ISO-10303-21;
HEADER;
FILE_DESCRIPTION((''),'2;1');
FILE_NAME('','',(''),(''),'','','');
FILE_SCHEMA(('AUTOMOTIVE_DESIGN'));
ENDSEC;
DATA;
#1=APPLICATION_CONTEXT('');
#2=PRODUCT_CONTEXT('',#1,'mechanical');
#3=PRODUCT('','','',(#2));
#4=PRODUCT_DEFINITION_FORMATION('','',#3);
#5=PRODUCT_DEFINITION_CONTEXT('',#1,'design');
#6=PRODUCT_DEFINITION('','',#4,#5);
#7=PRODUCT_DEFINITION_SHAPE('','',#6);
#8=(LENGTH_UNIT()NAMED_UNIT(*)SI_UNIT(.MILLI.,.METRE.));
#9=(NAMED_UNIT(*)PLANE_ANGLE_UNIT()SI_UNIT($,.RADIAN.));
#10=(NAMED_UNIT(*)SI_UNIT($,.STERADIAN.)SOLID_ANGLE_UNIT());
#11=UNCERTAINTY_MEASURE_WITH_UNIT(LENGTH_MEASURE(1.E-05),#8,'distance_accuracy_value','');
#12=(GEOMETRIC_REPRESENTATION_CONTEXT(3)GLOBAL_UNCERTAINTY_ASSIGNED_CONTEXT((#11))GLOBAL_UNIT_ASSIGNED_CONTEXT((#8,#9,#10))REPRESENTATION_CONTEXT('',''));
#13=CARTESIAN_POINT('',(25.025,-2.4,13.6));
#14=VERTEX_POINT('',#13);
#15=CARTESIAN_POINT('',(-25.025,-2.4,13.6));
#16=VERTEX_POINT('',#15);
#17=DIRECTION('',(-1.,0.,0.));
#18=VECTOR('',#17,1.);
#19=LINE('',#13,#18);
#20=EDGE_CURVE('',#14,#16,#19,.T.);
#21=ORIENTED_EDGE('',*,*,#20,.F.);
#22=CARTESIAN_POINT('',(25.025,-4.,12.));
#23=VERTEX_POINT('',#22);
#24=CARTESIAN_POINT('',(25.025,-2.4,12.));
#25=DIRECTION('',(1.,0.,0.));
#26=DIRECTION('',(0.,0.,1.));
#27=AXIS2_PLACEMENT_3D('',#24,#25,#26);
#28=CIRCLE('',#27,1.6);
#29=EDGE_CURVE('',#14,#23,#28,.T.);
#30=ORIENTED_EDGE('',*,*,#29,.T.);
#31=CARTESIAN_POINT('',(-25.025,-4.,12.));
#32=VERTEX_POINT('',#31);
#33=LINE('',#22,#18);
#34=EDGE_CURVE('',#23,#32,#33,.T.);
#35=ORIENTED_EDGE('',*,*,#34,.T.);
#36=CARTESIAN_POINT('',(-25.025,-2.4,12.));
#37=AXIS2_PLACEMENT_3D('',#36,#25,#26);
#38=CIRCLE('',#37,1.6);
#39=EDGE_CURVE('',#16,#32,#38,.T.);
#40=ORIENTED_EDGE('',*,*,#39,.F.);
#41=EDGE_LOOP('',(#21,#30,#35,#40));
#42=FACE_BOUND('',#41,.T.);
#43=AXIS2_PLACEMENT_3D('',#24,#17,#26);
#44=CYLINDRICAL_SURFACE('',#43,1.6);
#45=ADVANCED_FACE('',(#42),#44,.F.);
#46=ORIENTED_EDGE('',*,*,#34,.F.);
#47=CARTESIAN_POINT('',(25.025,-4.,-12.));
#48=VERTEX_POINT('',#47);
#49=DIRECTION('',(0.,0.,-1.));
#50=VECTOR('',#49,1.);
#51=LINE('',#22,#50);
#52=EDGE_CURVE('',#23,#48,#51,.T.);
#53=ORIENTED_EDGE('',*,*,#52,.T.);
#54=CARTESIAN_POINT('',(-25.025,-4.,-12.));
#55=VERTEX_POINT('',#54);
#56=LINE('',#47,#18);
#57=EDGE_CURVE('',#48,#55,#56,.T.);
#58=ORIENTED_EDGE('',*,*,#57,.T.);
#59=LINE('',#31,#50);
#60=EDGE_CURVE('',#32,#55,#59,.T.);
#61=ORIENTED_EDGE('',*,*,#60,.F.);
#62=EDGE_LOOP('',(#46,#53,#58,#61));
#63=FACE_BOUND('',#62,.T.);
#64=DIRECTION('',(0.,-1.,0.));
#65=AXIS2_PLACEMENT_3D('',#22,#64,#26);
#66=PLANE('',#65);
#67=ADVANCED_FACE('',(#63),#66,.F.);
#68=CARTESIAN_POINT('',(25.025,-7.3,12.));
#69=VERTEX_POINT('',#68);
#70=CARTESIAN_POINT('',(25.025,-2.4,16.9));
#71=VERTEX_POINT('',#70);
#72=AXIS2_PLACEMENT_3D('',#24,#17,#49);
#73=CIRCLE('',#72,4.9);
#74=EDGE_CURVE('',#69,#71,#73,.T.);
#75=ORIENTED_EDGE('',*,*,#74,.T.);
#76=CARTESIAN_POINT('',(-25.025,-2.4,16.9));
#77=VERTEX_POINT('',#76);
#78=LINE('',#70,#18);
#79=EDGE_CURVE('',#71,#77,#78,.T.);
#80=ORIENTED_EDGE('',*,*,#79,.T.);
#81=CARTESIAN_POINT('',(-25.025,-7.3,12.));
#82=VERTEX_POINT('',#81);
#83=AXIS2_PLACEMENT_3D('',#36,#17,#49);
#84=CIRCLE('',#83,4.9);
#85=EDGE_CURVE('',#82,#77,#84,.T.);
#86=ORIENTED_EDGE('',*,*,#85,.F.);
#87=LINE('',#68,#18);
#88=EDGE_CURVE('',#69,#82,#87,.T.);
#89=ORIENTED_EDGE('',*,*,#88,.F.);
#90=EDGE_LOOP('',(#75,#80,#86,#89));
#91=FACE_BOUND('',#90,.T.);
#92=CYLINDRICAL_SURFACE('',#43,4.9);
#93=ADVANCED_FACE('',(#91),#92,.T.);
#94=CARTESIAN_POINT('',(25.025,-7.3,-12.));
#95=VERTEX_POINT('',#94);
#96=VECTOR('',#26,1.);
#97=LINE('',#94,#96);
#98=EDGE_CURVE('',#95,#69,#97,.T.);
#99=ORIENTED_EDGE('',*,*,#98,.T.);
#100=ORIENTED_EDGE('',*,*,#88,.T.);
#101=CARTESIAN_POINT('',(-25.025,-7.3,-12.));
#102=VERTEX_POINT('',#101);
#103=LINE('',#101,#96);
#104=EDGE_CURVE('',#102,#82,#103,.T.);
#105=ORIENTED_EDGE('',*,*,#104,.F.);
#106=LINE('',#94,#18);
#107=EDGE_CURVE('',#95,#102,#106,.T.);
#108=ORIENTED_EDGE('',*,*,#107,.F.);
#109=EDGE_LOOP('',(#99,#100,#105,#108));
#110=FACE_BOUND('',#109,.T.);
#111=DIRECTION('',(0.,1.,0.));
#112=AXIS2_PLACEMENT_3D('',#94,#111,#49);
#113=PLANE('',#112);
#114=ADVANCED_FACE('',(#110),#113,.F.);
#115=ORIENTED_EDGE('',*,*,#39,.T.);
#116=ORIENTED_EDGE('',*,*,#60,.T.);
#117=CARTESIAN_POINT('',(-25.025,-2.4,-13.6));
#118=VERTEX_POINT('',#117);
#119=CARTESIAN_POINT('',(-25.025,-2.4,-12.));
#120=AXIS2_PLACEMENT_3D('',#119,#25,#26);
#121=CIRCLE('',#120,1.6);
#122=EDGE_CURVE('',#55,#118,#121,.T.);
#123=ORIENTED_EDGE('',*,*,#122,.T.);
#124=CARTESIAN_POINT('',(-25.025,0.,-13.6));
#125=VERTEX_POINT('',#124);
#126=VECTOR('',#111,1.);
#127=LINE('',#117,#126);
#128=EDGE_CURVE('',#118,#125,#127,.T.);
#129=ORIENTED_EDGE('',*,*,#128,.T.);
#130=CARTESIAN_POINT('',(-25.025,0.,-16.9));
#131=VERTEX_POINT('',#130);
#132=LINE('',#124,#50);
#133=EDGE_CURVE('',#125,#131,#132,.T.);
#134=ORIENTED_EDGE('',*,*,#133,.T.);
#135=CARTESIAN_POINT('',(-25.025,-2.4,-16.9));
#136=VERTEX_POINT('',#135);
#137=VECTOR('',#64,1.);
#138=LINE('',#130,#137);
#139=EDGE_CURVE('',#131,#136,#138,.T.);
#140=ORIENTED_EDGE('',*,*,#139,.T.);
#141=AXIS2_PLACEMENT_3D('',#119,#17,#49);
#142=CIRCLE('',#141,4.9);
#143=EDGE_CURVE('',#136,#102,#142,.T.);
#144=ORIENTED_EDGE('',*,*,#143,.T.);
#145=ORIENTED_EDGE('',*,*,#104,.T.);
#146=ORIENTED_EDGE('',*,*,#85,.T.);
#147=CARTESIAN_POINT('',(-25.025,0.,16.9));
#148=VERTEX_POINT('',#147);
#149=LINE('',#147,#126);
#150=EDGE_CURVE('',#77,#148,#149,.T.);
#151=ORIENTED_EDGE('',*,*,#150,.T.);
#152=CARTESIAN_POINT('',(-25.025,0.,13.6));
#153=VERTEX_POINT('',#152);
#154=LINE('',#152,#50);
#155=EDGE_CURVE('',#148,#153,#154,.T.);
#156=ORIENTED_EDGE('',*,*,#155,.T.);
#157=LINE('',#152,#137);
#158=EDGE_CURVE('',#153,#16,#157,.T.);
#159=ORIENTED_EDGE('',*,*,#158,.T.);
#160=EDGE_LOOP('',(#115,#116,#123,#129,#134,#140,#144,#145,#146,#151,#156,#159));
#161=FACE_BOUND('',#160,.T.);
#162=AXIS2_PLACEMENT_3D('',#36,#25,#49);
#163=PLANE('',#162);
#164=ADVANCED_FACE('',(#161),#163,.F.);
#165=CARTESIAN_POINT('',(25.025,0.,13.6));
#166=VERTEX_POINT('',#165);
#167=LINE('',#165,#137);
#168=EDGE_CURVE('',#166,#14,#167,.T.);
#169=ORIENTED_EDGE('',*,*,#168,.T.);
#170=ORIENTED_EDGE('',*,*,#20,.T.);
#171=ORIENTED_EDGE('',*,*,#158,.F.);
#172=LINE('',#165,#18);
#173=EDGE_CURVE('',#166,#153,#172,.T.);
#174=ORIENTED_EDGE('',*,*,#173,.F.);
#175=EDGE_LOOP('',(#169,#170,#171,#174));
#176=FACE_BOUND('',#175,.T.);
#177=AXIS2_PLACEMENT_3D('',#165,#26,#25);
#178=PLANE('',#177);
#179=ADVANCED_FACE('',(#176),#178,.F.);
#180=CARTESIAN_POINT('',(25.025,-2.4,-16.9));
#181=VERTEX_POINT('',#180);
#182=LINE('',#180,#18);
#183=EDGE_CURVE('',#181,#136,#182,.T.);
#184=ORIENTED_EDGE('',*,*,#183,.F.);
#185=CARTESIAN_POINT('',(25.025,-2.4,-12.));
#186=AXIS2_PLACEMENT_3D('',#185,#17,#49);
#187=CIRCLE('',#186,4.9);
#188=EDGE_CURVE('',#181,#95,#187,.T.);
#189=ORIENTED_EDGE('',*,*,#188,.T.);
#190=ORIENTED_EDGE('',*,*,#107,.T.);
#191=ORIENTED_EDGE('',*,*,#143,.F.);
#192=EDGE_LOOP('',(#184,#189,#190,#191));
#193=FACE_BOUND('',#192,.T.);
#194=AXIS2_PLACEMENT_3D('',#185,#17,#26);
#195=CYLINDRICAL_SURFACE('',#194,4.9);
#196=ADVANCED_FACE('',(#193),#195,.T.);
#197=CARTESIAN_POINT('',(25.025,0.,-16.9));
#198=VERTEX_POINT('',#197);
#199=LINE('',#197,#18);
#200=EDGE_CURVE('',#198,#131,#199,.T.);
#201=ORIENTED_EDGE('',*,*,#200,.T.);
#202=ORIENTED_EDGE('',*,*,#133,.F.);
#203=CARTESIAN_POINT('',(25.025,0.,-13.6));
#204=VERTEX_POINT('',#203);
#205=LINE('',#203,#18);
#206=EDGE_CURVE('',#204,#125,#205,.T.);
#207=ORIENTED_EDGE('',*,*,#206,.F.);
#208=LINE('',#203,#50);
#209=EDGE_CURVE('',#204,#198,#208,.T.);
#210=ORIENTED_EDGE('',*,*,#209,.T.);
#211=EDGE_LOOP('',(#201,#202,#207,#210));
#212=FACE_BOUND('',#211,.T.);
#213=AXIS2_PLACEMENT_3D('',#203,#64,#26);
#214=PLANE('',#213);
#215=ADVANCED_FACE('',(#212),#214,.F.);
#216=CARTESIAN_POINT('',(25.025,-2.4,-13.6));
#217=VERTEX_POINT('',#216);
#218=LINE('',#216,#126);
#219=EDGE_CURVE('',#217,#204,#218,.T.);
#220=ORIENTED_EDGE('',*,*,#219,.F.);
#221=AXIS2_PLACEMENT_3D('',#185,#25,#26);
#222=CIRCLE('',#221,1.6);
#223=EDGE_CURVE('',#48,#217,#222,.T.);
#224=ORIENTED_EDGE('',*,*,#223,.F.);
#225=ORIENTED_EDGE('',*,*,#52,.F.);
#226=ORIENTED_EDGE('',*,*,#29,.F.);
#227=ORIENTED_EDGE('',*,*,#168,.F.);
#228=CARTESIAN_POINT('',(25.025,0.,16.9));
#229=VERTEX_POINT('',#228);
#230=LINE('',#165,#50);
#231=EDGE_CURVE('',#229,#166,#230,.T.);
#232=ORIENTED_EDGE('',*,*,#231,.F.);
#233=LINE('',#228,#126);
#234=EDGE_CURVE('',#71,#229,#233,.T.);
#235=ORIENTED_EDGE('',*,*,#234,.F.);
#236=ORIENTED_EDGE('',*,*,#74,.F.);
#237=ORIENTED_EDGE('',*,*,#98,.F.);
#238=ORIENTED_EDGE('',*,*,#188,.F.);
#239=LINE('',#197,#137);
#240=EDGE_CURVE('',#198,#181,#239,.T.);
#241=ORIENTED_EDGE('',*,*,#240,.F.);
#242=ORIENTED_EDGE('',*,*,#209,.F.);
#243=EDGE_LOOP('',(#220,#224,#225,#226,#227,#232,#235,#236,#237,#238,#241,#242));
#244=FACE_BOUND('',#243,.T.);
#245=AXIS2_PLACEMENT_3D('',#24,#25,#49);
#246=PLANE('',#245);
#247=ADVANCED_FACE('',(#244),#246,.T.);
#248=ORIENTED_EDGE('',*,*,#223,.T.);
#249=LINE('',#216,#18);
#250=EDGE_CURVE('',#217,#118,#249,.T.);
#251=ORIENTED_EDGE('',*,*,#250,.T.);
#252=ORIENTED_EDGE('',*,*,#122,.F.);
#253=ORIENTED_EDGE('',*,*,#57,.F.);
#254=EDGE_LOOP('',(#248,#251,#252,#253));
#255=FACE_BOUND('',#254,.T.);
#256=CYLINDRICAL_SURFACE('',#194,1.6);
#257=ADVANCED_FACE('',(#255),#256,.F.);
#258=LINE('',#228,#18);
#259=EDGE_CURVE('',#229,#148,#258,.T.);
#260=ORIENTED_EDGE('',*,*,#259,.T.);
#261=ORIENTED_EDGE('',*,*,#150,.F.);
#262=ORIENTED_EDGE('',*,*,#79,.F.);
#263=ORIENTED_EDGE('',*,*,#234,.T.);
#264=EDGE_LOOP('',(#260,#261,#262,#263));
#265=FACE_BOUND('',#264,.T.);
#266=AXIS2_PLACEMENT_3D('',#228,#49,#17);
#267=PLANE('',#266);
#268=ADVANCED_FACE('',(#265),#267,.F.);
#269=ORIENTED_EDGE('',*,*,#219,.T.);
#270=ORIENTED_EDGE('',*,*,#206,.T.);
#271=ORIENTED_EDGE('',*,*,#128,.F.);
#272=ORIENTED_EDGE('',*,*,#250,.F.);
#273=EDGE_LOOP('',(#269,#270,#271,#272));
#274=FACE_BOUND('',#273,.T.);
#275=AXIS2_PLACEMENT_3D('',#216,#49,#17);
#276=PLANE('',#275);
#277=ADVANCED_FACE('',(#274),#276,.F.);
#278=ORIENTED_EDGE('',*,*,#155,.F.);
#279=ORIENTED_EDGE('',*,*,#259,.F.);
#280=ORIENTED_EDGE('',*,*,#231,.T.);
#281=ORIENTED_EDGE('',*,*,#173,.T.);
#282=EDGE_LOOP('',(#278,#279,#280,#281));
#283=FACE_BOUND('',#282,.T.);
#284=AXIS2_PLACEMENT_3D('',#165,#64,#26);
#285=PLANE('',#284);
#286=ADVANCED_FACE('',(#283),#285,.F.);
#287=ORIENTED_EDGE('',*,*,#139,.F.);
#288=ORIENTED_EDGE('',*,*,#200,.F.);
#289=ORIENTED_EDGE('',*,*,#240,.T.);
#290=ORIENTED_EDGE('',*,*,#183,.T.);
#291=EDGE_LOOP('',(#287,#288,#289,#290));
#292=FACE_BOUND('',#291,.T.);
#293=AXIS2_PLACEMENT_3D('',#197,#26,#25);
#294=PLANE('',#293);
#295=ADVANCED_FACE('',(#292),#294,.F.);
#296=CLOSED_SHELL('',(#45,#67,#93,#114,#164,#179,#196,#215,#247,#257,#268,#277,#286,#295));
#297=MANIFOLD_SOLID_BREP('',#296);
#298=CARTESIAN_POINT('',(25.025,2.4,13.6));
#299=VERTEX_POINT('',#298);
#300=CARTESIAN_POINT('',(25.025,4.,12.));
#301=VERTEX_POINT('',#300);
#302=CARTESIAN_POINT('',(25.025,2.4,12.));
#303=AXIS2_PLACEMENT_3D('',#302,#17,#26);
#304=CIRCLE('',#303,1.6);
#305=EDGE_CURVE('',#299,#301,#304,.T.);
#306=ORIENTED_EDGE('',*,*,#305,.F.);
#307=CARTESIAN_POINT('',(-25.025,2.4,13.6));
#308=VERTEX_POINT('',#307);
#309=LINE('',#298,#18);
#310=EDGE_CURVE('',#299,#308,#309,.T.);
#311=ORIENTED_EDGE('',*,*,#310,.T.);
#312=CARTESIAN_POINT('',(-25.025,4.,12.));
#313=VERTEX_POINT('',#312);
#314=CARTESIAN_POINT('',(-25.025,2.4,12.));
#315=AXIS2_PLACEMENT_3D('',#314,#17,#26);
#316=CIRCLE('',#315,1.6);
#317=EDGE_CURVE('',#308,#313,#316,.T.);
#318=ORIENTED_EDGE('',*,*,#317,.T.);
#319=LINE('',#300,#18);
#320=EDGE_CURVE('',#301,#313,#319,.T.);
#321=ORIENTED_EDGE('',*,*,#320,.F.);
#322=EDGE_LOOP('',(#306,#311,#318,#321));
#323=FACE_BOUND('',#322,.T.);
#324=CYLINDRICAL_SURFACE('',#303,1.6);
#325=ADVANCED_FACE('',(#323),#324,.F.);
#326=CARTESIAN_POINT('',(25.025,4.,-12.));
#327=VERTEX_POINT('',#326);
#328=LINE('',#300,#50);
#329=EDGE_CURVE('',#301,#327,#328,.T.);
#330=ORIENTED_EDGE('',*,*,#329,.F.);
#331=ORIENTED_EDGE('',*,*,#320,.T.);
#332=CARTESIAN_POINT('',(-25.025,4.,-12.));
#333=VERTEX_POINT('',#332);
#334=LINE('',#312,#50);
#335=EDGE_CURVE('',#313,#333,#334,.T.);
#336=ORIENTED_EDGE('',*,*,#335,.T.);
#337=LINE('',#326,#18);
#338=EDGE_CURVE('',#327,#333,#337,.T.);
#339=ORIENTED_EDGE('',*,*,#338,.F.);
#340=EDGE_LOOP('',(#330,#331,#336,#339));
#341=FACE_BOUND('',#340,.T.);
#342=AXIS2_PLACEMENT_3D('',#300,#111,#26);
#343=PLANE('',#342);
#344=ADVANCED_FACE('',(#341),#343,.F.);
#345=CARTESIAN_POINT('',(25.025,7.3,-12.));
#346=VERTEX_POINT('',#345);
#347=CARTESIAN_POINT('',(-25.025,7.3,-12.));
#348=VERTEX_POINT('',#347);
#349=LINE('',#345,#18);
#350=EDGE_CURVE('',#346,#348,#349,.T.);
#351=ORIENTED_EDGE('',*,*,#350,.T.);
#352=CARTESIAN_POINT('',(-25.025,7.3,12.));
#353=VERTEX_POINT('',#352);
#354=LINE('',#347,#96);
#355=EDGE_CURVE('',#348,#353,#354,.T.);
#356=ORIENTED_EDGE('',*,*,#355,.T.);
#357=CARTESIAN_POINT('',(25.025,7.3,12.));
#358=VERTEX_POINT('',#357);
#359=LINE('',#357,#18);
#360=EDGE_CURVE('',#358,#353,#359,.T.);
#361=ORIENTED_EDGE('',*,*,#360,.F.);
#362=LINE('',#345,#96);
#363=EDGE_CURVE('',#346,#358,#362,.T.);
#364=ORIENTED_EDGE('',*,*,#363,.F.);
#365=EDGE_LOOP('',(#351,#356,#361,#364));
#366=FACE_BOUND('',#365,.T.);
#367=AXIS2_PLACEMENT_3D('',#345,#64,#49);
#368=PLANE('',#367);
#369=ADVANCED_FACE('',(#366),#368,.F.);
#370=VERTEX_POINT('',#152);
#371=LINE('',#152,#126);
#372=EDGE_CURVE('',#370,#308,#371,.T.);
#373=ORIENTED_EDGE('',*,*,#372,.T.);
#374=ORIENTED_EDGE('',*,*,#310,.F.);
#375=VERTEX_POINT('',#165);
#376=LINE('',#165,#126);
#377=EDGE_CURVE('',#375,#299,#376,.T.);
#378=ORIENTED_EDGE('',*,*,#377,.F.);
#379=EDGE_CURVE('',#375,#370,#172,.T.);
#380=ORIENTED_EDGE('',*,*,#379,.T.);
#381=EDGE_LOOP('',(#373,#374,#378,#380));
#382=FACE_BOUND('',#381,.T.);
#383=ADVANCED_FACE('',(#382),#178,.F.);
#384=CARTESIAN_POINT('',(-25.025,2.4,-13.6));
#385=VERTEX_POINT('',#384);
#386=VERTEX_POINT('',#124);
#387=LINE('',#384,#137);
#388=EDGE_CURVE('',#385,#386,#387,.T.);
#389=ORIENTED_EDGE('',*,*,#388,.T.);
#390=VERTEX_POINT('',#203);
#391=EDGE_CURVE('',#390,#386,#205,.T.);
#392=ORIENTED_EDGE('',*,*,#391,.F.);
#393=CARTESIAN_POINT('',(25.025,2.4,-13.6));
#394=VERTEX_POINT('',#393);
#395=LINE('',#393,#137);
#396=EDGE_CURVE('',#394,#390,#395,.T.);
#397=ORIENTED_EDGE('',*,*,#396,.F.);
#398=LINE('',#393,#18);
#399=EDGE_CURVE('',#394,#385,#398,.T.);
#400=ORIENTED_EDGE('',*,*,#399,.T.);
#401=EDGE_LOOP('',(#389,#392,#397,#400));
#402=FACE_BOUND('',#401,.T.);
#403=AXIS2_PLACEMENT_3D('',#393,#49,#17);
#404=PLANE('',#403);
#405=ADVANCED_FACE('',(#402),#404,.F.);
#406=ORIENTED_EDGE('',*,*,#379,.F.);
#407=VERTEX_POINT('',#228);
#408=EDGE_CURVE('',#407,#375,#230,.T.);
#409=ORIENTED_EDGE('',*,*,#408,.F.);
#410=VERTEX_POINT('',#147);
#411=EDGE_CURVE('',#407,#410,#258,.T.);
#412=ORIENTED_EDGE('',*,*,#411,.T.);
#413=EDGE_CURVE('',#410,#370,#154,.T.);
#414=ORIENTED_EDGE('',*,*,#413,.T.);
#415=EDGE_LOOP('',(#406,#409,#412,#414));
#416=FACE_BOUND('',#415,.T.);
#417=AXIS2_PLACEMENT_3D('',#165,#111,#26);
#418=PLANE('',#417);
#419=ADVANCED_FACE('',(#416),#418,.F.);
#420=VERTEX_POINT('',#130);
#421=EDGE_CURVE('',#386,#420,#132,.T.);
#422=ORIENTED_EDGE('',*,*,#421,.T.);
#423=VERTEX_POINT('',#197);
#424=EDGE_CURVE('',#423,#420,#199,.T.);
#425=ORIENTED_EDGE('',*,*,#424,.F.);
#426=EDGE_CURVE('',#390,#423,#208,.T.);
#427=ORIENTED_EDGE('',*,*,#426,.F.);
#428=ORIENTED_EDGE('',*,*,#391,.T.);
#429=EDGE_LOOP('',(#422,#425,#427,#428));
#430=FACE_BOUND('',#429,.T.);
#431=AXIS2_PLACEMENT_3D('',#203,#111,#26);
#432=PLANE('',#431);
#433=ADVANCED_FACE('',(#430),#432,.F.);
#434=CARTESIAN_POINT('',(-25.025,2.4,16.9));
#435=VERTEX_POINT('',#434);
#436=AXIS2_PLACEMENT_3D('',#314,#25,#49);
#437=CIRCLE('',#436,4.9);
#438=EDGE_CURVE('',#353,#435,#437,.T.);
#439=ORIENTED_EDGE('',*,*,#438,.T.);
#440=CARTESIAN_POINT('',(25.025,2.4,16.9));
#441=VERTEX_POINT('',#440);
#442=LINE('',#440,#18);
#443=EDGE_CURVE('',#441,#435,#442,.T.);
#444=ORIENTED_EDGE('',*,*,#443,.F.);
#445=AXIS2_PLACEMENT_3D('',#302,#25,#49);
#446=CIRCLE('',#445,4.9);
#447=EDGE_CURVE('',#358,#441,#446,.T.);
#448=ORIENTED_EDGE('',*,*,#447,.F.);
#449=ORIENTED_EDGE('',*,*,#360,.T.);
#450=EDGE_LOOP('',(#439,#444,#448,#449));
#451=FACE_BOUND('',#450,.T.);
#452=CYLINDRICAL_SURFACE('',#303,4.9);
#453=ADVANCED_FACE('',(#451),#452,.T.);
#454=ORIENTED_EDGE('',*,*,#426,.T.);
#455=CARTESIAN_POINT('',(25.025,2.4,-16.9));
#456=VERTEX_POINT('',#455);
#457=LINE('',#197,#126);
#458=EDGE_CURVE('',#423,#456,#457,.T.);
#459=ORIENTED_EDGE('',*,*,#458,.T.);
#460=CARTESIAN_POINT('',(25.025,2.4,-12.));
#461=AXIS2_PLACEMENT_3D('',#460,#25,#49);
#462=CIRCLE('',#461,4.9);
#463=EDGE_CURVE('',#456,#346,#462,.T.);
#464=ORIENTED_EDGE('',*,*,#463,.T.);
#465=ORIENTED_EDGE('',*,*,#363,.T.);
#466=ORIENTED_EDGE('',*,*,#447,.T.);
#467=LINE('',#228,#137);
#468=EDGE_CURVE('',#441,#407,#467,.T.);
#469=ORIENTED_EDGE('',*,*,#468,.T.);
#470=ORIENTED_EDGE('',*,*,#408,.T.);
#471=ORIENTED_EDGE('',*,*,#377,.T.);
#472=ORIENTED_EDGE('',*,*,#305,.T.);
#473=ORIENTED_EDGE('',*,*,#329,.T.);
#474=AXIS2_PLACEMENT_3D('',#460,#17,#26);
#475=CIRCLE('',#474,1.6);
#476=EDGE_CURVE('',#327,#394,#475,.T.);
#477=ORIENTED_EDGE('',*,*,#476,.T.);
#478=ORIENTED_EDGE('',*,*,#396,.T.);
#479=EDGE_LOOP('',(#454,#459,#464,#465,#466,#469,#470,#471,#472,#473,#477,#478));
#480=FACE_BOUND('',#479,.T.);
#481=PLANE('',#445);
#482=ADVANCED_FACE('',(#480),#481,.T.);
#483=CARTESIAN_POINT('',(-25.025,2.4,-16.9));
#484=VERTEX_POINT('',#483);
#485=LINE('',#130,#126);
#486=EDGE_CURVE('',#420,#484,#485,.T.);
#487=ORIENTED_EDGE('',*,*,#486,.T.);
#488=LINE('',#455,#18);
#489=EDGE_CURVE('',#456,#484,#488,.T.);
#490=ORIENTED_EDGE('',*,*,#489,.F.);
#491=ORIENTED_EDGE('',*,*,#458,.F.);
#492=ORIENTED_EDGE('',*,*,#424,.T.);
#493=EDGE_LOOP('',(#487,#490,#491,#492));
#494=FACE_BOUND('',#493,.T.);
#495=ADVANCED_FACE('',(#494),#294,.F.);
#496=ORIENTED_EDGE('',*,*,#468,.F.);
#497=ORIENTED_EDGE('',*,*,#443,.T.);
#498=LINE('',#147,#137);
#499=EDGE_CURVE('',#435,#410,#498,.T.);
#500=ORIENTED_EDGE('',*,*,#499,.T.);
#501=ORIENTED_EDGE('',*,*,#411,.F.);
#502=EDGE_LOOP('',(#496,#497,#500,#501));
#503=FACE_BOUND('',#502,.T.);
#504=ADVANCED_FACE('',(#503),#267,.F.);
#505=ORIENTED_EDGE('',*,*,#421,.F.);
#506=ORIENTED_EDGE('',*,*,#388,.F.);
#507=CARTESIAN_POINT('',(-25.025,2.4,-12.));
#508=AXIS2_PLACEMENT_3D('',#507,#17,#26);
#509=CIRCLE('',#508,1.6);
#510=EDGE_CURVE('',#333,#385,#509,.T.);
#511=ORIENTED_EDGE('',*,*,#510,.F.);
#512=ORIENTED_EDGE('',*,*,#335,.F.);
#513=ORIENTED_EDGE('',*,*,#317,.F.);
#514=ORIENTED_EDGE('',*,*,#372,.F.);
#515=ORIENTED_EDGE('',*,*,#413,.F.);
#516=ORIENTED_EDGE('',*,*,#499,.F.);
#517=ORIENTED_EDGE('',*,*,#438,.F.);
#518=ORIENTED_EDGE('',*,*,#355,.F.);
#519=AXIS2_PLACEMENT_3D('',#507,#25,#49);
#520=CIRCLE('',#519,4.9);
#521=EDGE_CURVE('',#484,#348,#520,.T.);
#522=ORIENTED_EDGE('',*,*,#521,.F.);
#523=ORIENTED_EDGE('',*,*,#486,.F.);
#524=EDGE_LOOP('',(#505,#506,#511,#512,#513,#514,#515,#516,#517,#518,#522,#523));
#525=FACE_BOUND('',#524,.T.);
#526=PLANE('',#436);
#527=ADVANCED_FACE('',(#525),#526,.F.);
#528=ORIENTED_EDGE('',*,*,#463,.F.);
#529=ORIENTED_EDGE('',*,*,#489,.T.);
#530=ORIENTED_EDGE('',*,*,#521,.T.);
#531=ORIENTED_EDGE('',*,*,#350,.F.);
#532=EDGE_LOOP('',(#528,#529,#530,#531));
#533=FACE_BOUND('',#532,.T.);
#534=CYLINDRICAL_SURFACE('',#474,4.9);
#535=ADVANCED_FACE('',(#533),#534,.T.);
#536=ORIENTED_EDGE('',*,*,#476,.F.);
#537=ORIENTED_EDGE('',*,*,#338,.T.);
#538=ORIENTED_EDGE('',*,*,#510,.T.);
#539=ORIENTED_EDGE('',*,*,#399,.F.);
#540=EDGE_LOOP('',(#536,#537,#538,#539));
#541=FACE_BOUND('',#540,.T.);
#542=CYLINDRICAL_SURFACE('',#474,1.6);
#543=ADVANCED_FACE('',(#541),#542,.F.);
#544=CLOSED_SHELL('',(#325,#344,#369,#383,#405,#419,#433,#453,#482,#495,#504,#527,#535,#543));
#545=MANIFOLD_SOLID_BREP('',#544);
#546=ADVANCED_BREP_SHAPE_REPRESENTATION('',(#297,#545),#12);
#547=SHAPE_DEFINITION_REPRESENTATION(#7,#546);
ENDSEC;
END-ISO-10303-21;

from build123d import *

# Parameters (mm, degrees)
BOSS_EXTRUDE1_DEPTH = 25.025


with BuildPart() as part:
    # Sketch1 → Boss-Extrude1 (new, symmetric)
    with BuildSketch(Plane(origin=(0, 0, 0), x_dir=(0, 0, -1), z_dir=(1, 0, 0))):
        with BuildLine():
            Line((-13.6, 0), (-13.6, 2.4))
            ThreePointArc((-13.6, 2.4), (-13.13137085, 3.53137085), (-12, 4))
            Line((-12, 4), (12, 4))
            ThreePointArc((12, 4), (13.13137085, 3.53137085), (13.6, 2.4))
            Line((13.6, 2.4), (13.6, 0))
            Line((13.6, 0), (16.9, 0))
            Line((16.9, 0), (16.9, 2.4))
            ThreePointArc((16.9, 2.4), (15.464823228, 5.864823228), (12, 7.3))
            Line((12, 7.3), (-12, 7.3))
            ThreePointArc((-12, 7.3), (-15.464823228, 5.864823228), (-16.9, 2.4))
            Line((-16.9, 2.4), (-16.9, 0))
            Line((-16.9, 0), (-13.6, 0))
        make_face()
    extrude(amount=BOSS_EXTRUDE1_DEPTH, both=True)


with BuildPart() as body_2:
    # Mirror1: mirrored copy
    add(part.part.mirror(Plane.ZX))


solid = Compound([part.part, body_2.part])
